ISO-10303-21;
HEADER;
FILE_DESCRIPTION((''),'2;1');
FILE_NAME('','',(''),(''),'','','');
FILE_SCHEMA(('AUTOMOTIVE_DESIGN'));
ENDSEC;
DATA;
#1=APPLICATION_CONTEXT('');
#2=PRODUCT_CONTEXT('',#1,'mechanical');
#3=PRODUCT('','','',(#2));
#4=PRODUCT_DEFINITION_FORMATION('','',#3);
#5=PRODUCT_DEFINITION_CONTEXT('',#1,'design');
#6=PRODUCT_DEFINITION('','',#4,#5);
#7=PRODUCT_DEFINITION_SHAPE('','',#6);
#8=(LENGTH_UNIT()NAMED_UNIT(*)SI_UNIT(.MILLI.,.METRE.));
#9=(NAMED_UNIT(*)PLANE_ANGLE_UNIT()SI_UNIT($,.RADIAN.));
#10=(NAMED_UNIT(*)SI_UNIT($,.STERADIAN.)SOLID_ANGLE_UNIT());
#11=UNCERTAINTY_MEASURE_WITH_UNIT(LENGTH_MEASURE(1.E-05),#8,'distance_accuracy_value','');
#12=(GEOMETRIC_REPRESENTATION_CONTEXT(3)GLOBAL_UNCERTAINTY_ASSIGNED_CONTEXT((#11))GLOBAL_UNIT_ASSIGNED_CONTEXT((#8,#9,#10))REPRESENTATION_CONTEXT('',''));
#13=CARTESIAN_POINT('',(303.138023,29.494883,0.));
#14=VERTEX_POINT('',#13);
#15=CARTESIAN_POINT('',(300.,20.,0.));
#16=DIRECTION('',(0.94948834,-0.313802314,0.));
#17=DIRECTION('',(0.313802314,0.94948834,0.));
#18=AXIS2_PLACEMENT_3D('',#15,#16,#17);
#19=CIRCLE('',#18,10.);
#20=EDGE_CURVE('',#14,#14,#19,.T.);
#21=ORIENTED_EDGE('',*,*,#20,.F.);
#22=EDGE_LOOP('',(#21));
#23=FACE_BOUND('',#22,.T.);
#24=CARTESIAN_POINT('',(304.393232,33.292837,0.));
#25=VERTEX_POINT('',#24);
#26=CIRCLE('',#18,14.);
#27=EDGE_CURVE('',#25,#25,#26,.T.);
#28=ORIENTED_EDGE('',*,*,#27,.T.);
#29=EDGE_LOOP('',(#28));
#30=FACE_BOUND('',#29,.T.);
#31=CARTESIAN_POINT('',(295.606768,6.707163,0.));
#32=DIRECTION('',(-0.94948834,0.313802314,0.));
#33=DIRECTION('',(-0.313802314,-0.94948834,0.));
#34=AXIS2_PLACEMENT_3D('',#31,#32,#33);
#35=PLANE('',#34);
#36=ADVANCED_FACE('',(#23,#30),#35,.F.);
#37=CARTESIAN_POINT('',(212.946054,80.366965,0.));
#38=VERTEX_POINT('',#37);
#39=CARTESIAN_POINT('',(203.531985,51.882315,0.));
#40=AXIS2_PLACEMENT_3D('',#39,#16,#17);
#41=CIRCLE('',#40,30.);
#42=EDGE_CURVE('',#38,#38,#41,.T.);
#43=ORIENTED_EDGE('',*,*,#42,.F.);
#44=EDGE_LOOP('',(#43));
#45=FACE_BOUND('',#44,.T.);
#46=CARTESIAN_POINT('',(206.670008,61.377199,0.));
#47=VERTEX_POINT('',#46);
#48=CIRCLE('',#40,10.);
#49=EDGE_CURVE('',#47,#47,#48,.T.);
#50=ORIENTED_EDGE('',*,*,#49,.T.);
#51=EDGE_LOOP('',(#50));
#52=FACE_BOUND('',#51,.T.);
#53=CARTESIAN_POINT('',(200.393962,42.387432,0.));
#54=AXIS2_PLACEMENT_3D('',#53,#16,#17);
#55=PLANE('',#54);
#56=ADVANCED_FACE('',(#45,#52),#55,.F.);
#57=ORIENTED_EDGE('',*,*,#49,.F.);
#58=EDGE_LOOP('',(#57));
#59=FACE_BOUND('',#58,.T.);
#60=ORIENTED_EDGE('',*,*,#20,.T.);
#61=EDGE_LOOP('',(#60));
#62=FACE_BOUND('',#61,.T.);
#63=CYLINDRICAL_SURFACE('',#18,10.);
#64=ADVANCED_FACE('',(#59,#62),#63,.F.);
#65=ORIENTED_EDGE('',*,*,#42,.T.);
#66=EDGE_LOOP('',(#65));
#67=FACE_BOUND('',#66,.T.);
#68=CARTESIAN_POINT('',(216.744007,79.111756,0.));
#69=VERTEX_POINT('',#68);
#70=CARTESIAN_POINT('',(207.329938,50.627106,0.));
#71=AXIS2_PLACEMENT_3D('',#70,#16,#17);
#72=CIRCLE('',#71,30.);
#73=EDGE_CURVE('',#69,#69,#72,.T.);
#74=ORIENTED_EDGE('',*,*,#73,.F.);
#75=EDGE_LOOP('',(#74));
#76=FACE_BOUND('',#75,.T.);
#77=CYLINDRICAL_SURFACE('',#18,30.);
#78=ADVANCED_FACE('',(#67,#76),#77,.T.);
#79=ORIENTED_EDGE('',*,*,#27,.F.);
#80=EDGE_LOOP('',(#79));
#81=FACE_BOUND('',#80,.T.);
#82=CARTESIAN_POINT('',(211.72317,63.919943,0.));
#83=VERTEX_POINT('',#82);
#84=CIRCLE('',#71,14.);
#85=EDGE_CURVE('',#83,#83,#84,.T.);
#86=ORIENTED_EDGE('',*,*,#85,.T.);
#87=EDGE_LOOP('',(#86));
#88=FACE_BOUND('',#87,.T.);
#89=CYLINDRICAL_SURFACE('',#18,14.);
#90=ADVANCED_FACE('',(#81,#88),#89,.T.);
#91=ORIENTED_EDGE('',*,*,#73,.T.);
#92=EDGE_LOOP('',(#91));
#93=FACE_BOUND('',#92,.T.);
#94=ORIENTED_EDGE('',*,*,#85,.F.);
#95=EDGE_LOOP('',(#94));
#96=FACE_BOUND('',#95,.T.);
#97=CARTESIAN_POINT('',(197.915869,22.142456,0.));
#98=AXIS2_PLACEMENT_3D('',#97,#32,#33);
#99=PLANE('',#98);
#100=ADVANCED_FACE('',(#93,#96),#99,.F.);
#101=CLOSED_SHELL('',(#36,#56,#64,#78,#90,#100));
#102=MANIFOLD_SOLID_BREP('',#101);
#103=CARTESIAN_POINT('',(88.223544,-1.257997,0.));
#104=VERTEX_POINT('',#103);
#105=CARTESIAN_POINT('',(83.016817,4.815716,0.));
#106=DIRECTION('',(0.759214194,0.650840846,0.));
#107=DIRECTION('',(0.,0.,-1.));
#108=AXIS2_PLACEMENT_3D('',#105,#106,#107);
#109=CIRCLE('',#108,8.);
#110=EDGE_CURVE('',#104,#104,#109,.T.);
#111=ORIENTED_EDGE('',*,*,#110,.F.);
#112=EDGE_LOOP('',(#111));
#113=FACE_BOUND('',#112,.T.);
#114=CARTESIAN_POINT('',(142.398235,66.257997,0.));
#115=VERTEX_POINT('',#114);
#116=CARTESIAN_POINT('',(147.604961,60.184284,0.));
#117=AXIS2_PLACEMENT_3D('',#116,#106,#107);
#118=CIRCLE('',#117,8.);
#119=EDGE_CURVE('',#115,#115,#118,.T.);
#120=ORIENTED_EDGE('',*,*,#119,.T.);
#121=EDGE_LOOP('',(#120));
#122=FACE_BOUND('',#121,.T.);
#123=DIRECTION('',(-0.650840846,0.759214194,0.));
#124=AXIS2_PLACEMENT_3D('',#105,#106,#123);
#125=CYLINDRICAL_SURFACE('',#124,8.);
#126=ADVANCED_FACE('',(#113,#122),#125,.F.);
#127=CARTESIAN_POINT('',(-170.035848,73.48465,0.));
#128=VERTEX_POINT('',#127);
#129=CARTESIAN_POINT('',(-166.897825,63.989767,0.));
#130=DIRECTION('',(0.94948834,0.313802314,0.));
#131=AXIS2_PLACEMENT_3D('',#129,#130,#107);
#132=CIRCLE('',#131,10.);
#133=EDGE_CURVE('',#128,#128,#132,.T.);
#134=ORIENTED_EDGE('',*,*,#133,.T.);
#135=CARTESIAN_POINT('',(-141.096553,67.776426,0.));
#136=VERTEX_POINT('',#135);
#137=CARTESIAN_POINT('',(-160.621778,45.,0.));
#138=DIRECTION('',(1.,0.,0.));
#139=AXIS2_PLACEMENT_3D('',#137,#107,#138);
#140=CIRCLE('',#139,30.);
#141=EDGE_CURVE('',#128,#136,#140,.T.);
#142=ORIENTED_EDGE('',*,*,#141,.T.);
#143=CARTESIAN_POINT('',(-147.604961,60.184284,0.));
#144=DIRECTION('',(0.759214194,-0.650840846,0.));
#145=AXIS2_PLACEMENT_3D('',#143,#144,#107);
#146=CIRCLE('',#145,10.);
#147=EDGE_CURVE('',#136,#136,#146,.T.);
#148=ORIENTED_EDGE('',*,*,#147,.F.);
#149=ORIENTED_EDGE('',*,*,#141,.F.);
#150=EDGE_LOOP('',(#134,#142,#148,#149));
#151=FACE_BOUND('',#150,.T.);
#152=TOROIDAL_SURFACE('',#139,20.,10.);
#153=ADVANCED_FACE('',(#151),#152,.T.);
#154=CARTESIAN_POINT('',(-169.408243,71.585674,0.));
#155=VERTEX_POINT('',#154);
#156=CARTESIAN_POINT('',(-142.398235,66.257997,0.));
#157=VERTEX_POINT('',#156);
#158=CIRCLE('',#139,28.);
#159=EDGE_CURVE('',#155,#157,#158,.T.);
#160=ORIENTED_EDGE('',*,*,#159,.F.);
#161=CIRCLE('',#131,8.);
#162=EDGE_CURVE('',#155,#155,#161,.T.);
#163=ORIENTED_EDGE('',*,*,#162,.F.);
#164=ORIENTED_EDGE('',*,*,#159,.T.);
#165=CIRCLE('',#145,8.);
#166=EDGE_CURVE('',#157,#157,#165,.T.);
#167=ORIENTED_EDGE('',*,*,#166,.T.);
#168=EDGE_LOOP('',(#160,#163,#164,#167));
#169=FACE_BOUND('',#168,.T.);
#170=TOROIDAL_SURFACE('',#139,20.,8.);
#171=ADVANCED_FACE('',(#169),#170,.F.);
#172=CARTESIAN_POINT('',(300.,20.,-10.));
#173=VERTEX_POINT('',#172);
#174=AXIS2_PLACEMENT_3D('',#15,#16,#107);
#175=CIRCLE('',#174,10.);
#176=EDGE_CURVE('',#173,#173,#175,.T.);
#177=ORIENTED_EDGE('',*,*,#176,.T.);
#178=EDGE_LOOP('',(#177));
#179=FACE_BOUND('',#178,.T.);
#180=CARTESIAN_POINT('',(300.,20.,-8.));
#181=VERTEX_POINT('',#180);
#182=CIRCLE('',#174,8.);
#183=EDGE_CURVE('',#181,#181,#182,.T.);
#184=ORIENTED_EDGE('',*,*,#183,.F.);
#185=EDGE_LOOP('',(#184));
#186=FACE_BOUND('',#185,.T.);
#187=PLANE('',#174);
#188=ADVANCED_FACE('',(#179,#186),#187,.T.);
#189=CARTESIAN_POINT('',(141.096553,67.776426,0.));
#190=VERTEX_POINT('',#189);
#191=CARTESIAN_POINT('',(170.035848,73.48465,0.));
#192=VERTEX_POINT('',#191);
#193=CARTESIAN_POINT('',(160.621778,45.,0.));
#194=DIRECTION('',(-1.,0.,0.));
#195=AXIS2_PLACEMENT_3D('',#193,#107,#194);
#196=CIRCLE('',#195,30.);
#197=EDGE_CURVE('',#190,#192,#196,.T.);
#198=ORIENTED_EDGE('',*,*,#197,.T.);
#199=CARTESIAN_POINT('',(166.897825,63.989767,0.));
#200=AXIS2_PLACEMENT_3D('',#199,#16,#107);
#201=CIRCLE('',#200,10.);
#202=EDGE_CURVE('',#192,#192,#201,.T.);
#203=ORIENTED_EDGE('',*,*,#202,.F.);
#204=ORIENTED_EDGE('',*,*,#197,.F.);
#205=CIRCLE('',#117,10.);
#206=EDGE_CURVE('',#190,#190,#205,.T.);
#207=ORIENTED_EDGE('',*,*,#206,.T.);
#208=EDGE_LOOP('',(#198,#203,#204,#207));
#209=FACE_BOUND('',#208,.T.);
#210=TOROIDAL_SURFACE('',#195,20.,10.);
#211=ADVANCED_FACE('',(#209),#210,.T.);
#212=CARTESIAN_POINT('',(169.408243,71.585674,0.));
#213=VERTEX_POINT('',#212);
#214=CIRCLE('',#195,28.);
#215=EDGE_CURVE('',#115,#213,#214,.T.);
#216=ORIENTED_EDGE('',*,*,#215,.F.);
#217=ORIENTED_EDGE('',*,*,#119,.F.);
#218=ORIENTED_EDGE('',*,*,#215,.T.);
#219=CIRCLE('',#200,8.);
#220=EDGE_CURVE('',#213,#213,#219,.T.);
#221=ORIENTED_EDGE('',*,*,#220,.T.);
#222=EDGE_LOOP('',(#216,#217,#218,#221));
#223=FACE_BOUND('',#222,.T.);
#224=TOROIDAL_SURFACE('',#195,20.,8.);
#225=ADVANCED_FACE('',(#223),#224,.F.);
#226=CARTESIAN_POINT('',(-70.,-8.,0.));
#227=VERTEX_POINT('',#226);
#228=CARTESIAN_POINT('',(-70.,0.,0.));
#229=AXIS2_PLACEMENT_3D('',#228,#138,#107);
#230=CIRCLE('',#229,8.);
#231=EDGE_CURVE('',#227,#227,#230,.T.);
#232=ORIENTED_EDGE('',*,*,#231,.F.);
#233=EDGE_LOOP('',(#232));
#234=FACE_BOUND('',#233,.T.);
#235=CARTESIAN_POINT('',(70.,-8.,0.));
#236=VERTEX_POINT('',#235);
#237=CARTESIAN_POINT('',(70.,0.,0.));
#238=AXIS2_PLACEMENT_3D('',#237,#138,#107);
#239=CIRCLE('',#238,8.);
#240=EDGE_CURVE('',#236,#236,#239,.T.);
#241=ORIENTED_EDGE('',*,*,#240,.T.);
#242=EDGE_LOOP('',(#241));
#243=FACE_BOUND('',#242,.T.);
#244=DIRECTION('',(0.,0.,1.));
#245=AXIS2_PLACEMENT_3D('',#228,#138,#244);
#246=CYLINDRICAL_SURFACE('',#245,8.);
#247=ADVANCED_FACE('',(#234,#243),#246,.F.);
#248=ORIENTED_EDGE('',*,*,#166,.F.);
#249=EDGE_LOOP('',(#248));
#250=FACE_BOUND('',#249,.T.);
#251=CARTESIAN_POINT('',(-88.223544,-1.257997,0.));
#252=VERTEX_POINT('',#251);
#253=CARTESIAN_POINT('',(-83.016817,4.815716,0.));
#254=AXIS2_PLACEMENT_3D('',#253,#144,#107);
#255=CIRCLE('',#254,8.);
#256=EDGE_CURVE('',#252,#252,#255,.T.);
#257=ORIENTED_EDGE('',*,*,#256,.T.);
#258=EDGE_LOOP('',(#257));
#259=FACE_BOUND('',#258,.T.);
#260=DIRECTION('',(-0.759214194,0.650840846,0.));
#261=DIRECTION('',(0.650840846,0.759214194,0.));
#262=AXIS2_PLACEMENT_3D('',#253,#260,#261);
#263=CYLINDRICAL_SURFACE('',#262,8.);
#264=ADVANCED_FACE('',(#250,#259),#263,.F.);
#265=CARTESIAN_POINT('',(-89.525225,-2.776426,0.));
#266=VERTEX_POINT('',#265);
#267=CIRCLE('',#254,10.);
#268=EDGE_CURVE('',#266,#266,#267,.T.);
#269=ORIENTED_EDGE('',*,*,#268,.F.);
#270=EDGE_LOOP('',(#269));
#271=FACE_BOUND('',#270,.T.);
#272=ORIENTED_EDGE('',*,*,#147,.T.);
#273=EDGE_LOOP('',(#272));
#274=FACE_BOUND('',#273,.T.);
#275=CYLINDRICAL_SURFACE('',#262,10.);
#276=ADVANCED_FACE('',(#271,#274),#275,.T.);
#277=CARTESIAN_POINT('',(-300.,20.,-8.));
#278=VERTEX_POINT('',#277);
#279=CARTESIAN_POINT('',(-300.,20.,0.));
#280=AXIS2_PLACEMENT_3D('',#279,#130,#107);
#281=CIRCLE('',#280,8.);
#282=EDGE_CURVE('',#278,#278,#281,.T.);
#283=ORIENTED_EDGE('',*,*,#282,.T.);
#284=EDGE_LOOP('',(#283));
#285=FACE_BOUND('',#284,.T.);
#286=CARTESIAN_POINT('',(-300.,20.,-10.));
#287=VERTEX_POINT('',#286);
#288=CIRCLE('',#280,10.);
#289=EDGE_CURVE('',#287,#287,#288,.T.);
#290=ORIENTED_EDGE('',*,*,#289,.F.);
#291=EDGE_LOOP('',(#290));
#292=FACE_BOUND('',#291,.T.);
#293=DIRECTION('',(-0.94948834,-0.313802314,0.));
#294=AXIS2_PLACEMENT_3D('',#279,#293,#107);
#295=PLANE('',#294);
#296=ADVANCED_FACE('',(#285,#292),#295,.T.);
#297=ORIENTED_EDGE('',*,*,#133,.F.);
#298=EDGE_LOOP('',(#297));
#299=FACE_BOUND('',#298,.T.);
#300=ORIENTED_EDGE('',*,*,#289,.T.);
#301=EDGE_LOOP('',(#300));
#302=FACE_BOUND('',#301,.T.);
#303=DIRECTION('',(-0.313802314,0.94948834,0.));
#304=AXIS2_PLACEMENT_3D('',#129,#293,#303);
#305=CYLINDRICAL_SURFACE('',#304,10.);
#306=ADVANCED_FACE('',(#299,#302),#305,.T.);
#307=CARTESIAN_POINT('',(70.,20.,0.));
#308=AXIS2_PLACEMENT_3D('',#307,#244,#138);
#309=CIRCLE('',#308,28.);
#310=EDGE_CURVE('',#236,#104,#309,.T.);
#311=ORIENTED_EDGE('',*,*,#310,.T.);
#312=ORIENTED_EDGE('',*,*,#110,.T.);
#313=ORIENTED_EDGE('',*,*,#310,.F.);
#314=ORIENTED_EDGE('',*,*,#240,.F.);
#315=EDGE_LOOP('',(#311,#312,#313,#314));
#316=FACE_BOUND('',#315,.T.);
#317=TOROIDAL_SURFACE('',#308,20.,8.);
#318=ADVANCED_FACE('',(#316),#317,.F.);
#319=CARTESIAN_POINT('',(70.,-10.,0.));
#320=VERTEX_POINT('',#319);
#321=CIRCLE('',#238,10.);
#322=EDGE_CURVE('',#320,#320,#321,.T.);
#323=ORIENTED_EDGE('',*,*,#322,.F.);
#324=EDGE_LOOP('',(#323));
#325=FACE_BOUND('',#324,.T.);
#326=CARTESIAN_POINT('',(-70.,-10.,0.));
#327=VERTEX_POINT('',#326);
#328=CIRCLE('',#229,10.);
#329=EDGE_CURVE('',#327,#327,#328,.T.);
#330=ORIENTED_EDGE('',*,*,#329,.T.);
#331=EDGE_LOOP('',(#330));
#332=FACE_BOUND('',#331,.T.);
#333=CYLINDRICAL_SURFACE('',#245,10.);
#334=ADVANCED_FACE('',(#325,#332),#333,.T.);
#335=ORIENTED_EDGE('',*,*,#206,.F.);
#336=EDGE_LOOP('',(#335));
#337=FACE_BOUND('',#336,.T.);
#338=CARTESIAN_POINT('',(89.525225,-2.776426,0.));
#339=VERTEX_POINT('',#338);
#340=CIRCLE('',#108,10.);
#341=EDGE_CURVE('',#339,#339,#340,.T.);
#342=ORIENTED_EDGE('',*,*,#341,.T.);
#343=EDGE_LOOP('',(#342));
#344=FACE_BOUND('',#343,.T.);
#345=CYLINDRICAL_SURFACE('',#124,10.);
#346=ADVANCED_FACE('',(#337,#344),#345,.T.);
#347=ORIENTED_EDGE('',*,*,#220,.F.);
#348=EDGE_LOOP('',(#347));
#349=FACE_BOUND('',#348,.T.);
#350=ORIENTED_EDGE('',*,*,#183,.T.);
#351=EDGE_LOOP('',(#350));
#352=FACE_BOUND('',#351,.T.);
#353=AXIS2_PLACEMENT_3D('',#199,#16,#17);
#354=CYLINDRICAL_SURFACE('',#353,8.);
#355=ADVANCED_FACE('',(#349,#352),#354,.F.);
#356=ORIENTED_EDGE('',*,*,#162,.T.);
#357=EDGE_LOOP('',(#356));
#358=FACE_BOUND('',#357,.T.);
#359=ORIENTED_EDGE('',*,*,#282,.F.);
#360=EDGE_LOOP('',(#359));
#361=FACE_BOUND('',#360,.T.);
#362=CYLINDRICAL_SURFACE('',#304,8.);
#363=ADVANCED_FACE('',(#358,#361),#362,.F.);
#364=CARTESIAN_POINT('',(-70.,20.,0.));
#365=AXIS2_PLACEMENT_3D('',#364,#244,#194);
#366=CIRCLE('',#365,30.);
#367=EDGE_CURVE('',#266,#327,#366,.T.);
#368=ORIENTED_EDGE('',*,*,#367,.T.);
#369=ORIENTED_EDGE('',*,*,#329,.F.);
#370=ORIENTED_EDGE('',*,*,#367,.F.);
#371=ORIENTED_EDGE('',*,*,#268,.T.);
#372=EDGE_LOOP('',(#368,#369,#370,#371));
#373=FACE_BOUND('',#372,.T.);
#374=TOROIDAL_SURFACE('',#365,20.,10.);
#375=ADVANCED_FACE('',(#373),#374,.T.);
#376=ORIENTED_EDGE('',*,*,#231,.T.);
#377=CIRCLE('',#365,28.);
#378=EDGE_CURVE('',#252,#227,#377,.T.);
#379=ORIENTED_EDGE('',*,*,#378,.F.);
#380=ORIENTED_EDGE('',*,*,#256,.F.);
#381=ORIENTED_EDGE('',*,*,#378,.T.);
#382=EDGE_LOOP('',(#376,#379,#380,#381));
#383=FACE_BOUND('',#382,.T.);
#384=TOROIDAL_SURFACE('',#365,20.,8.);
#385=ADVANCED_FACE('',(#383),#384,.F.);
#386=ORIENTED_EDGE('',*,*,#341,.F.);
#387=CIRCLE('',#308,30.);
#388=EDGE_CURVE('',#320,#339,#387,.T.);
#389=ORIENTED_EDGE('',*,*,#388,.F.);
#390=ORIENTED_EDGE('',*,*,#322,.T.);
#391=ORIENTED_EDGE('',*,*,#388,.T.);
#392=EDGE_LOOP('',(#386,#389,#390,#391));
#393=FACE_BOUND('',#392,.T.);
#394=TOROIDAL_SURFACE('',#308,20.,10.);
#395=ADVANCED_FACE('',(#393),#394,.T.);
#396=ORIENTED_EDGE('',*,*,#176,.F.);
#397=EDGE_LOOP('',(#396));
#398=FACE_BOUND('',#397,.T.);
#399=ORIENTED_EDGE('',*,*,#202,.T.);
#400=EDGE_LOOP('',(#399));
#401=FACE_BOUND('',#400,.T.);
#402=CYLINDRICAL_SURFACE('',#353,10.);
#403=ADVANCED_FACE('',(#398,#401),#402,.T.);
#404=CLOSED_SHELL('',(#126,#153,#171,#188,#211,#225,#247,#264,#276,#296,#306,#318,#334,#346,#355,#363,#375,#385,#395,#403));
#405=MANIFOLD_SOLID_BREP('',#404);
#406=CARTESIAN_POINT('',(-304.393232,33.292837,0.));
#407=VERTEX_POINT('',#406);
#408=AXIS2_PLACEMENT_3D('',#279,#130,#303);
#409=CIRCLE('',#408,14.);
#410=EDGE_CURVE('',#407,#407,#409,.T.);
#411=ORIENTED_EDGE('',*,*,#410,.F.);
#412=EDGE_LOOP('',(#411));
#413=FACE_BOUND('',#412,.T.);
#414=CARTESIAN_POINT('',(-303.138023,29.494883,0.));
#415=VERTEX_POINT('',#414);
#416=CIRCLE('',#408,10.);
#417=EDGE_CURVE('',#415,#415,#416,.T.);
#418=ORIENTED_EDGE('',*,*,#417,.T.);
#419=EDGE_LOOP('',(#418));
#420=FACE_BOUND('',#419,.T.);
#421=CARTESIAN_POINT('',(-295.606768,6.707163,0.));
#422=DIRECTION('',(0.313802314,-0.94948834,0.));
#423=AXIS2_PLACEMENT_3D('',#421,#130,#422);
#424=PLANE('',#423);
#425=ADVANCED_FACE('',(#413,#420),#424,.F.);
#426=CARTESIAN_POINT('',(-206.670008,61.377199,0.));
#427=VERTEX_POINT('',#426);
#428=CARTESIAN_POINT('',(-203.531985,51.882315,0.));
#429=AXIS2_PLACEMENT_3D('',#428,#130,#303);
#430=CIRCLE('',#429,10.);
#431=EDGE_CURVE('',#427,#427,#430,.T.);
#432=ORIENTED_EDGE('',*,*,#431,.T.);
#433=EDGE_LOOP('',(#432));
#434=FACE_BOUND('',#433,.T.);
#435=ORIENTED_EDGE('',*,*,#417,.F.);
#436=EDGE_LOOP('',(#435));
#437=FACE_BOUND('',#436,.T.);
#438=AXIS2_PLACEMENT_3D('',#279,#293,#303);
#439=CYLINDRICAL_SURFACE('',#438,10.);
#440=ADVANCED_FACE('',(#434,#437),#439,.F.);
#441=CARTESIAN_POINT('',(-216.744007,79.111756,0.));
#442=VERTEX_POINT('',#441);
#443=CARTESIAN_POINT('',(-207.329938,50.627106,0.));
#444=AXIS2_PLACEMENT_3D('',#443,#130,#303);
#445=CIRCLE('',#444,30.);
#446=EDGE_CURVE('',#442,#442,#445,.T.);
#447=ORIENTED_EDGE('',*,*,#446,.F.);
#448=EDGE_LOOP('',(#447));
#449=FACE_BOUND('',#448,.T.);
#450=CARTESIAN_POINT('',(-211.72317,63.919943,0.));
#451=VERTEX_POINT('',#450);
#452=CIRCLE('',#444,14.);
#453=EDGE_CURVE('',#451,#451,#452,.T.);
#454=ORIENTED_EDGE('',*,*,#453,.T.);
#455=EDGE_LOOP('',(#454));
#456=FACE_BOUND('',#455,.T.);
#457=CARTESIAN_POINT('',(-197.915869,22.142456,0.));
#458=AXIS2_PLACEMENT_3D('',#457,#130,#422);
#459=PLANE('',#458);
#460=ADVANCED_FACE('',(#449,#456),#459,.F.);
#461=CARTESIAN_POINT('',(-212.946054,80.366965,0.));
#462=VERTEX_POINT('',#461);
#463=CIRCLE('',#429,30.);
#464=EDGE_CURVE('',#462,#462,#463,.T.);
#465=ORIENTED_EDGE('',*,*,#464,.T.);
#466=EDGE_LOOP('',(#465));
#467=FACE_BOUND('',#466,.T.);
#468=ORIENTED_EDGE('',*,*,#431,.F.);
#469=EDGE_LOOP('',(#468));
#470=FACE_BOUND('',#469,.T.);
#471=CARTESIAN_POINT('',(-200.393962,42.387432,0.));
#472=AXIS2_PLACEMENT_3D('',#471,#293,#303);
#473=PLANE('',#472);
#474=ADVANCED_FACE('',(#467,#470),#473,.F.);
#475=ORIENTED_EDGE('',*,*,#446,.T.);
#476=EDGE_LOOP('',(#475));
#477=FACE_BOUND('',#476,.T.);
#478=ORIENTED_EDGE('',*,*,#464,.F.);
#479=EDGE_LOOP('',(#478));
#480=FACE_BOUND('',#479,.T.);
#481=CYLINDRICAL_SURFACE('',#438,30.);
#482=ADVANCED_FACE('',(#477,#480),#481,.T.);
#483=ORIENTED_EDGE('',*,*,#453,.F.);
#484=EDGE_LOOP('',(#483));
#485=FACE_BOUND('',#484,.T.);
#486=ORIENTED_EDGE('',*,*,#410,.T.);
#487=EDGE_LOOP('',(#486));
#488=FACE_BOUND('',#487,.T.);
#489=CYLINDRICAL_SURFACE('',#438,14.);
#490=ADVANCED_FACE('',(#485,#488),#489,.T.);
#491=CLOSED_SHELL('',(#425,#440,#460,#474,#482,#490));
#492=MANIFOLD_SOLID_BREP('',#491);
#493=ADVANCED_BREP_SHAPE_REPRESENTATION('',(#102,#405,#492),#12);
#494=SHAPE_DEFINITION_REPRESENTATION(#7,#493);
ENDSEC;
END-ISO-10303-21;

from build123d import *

# Parameters (mm, degrees)
SKETCH2_R   = 10
SKETCH2_R_2 = 8


with BuildPart() as part:
    # Sweep1: sweep along a path in Sketch1
    with BuildLine(Plane.XY) as sweep1_path:
        Line((0, 0), (70, 0))
        ThreePointArc((70, 0), (76.93953609, 1.242525787), (83.016816926, 4.815716114))
        Line((83.016816926, 4.815716114), (147.604961339, 60.184283886))
        ThreePointArc((147.604961339, 60.184283886), (156.75138781, 64.621928491), (166.897824545, 63.989766799))
        Line((166.897824545, 63.989766799), (300, 20))
    # Sketch2 → Sweep1 (sweep)
    with BuildSketch(Plane(origin=(0, 0, 0), x_dir=(0, 0, -1), z_dir=(1, 0, 0))):
        Circle(SKETCH2_R)
        Circle(SKETCH2_R_2, mode=Mode.SUBTRACT)
    sweep(path=sweep1_path.line)


with BuildPart() as body_2:
    # Sketch3 → Revolve1 (revolve)
    with BuildSketch(Plane(origin=(143.301270189, 55, 0), x_dir=(-0.86602540378444, 0.4999999999999978, 0), z_dir=(0, 0, 1))):
        Polygon((-155.2349147, -38.246653973), (-55.750005212, -17.623541111), (-59.809673098, 1.960102489), (-63.726401818, 1.148168912), (-60.478667509, -14.518745968), (-156.046848277, -34.329925253), align=None)
    revolve(axis=Axis((300, 20, 0), (-0.9494883399700914, 0.3138023139826093, 0)))


with BuildPart() as body_3:
    # Mirror1: mirrored copy
    add(part.part.mirror(Plane(origin=(0, 0, 0), x_dir=(0, 0, 1), z_dir=(1, 0, 0))))

    # Combine1: union part
    add(part.part)


with BuildPart() as body_4:
    # Mirror1 2: mirrored copy
    add(body_2.part.mirror(Plane(origin=(0, 0, 0), x_dir=(0, 0, 1), z_dir=(1, 0, 0))))


solid = Compound([body_2.part, body_3.part, body_4.part])
